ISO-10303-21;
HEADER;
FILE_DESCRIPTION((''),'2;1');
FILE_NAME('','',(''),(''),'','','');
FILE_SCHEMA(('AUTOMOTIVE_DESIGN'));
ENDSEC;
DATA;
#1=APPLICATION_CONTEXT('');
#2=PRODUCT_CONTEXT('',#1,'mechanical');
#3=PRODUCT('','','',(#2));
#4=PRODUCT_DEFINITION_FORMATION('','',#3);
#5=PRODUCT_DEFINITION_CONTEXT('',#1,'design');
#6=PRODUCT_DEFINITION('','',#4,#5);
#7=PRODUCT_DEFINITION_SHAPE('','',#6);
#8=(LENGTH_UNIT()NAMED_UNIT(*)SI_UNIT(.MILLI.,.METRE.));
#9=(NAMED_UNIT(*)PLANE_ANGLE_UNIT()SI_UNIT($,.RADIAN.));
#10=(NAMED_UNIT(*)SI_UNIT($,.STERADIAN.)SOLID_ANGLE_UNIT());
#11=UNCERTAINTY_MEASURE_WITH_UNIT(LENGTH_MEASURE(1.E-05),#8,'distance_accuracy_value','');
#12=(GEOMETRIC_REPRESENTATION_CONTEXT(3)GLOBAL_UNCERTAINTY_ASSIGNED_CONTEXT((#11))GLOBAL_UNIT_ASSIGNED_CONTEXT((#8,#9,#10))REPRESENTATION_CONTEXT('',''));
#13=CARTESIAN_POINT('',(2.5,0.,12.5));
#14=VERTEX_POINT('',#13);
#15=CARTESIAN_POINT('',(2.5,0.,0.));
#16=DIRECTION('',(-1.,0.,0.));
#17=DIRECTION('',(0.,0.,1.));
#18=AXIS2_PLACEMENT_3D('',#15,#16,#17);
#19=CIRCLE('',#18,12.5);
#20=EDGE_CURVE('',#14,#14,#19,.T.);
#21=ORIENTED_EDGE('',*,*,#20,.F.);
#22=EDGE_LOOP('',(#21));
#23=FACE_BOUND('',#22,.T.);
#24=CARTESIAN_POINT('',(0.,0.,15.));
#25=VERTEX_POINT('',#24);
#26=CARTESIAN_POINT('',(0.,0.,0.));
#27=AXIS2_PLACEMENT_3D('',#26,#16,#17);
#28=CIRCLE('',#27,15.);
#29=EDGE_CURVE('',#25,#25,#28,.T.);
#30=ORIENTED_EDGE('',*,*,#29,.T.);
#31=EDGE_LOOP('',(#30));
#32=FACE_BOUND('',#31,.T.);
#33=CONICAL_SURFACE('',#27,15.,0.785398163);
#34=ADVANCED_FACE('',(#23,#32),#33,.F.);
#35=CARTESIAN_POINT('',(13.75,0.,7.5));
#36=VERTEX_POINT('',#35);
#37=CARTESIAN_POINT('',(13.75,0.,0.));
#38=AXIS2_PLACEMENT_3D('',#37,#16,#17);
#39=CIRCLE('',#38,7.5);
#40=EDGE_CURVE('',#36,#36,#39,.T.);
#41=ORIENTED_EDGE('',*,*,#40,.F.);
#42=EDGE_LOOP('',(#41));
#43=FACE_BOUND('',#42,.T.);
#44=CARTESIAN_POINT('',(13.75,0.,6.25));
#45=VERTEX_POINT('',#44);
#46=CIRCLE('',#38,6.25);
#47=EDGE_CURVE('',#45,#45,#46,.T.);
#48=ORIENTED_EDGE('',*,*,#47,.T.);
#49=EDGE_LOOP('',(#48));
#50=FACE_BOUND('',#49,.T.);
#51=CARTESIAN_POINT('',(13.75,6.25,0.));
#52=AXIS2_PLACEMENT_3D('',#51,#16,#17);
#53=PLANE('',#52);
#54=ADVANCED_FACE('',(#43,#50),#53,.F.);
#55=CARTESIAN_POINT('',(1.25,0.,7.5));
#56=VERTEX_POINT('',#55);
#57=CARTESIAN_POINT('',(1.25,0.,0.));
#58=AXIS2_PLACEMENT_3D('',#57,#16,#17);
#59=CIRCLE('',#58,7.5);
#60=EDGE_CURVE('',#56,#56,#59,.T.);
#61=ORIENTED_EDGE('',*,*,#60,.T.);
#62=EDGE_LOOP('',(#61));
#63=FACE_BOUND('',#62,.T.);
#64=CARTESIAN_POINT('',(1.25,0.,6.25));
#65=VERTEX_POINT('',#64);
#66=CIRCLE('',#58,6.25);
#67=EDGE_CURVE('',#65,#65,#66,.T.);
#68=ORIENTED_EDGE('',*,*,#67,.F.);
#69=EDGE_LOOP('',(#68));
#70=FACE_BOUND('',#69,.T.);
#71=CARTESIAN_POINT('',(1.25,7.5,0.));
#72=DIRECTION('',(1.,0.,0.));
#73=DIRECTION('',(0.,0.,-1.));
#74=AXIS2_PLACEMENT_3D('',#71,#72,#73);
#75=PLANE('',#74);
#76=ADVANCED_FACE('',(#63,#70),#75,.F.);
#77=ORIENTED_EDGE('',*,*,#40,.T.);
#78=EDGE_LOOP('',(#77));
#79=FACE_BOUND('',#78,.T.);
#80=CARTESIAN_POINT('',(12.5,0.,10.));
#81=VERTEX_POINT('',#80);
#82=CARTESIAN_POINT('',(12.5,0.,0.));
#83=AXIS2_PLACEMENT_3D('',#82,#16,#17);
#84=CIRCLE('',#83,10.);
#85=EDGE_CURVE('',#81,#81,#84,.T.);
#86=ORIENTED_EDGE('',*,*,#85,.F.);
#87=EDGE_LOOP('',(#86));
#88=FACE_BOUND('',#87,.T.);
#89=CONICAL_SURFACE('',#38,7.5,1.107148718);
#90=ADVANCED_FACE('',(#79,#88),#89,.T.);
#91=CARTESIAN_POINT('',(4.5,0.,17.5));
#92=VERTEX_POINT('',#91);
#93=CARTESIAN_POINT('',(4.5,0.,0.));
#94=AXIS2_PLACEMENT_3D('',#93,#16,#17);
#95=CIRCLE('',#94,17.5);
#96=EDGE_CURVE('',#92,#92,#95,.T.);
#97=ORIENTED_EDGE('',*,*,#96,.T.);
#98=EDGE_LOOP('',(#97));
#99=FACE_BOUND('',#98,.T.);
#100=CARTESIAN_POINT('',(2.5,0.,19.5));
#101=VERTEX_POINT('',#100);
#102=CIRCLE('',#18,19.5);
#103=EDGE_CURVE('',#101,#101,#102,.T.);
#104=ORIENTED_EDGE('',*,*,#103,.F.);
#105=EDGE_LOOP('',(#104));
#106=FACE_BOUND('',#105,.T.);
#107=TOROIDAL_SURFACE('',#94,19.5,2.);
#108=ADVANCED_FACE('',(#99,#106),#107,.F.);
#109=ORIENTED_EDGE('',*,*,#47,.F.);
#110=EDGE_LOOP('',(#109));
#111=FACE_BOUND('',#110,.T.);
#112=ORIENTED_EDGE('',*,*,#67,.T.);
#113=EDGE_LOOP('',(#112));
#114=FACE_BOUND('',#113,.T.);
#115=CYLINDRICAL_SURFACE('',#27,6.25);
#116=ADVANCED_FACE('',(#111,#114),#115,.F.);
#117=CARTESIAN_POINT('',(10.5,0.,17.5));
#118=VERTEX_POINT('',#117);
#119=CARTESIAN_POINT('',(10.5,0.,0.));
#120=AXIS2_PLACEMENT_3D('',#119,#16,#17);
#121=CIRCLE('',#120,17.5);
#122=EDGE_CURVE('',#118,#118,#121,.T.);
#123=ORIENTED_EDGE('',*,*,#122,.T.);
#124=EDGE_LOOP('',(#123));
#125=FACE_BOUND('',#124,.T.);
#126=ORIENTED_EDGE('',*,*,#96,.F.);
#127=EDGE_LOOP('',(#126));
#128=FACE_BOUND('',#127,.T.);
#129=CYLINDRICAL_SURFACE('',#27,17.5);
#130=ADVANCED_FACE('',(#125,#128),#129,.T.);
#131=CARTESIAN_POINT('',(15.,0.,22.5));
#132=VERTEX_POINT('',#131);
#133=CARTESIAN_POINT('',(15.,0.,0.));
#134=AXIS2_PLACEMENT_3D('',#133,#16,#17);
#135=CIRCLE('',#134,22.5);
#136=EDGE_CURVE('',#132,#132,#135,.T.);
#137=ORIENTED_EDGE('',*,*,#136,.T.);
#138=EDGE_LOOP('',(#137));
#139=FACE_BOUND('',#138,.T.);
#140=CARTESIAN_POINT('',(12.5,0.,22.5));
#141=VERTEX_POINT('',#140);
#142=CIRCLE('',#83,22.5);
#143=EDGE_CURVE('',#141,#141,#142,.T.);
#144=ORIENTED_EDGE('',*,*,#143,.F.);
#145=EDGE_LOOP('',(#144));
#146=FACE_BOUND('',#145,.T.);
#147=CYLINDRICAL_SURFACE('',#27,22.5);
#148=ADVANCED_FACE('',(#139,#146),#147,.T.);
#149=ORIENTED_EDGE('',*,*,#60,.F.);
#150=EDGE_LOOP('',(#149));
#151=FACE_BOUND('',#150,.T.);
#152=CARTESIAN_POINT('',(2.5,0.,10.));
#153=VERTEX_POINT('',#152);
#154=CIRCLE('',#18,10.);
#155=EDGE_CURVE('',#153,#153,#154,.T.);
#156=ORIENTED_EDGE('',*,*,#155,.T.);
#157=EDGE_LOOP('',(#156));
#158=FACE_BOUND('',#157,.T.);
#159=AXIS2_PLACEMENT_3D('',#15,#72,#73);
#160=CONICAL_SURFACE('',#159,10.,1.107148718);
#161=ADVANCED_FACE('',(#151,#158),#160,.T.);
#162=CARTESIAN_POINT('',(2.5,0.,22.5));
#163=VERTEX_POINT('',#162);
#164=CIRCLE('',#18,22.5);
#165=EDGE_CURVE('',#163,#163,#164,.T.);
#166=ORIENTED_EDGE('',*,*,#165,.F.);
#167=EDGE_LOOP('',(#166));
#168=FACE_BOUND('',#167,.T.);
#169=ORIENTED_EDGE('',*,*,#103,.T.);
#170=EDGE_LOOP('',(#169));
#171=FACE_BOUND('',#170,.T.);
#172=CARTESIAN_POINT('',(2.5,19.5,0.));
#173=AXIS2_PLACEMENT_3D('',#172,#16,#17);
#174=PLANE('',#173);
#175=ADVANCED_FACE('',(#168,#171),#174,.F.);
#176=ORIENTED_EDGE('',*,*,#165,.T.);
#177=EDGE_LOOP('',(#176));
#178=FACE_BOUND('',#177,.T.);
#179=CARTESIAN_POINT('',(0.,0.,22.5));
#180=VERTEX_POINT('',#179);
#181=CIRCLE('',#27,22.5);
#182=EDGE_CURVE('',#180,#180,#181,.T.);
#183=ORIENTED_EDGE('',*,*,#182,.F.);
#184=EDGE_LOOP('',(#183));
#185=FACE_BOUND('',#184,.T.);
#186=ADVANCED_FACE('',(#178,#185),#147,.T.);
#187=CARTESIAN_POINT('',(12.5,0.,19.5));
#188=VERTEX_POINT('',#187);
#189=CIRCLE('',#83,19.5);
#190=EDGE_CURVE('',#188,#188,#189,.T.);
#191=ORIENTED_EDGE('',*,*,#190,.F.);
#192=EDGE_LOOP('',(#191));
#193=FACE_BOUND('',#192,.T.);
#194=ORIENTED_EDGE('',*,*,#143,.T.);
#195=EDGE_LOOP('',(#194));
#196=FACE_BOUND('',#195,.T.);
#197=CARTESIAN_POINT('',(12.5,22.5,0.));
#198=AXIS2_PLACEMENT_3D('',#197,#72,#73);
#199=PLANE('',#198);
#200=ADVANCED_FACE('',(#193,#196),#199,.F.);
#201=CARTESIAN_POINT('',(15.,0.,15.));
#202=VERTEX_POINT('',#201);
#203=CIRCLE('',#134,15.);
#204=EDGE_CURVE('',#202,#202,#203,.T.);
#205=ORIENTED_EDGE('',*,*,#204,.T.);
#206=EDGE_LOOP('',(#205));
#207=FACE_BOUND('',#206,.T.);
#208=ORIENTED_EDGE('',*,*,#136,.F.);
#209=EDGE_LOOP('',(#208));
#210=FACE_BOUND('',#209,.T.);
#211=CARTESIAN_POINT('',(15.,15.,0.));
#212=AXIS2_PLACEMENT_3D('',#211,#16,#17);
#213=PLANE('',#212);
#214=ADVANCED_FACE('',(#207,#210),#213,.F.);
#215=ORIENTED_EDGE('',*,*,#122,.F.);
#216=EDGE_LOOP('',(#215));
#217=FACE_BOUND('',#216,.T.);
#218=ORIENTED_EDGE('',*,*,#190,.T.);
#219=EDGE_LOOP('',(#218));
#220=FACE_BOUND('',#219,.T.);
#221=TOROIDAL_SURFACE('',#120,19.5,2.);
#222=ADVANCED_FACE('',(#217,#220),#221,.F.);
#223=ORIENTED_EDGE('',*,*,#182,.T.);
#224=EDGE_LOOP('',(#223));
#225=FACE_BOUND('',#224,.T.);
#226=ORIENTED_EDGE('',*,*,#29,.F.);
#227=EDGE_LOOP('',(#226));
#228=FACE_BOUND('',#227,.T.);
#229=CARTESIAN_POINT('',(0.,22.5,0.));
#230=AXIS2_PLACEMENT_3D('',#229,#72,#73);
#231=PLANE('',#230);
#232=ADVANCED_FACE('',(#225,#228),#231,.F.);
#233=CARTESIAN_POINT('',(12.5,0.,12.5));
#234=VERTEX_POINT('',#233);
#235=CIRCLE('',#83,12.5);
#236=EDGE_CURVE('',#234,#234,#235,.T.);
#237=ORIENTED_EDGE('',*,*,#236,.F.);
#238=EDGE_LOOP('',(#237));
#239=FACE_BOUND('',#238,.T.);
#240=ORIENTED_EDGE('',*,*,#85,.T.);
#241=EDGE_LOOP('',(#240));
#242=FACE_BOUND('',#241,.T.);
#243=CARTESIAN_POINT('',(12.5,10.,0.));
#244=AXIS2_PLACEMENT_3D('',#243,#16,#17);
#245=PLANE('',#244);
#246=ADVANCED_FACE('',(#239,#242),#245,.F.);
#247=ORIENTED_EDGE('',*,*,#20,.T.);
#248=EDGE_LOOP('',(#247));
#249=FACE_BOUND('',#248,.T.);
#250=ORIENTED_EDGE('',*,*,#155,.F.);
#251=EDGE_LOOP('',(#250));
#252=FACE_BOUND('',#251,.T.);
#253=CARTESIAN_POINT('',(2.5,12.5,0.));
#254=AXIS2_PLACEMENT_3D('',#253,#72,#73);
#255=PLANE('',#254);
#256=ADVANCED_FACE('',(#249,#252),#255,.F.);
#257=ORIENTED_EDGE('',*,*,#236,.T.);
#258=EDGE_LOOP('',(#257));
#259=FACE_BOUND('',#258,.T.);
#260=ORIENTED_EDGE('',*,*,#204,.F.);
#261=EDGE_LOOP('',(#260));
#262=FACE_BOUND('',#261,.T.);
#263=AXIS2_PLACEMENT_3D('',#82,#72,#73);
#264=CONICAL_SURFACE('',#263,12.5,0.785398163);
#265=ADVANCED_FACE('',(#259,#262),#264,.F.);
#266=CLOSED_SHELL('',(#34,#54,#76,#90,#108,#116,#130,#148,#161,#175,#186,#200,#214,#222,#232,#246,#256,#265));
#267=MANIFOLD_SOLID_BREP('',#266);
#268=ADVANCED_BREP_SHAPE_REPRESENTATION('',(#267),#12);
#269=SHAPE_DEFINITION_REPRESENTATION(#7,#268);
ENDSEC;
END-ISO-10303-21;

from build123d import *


with BuildPart() as part:
    # Esboço2 → Revolução1 (revolve)
    with BuildSketch(Plane.XY):
        with BuildLine():
            Line((1.25, 6.25), (13.75, 6.25))
            Line((13.75, 6.25), (13.75, 7.5))
            Line((13.75, 7.5), (12.5, 10))
            Line((12.5, 10), (12.5, 12.5))
            Line((12.5, 12.5), (15, 15))
            Line((15, 15), (15, 22.5))
            Line((15, 22.5), (12.5, 22.5))
            Line((12.5, 22.5), (12.5, 19.5))
            ThreePointArc((12.5, 19.5), (11.914213562, 18.085786438), (10.5, 17.5))
            Line((10.5, 17.5), (4.5, 17.5))
            ThreePointArc((4.5, 17.5), (3.085786438, 18.085786438), (2.5, 19.5))
            Line((2.5, 19.5), (2.5, 22.5))
            Line((2.5, 22.5), (0, 22.5))
            Line((0, 22.5), (0, 15))
            Line((0, 15), (2.5, 12.5))
            Line((2.5, 12.5), (2.5, 10))
            Line((2.5, 10), (1.25, 7.5))
            Line((1.25, 7.5), (1.25, 6.25))
        make_face()
    revolve(axis=Axis((0, 0, 0), (1, 0, 0)))


solid = part.part
